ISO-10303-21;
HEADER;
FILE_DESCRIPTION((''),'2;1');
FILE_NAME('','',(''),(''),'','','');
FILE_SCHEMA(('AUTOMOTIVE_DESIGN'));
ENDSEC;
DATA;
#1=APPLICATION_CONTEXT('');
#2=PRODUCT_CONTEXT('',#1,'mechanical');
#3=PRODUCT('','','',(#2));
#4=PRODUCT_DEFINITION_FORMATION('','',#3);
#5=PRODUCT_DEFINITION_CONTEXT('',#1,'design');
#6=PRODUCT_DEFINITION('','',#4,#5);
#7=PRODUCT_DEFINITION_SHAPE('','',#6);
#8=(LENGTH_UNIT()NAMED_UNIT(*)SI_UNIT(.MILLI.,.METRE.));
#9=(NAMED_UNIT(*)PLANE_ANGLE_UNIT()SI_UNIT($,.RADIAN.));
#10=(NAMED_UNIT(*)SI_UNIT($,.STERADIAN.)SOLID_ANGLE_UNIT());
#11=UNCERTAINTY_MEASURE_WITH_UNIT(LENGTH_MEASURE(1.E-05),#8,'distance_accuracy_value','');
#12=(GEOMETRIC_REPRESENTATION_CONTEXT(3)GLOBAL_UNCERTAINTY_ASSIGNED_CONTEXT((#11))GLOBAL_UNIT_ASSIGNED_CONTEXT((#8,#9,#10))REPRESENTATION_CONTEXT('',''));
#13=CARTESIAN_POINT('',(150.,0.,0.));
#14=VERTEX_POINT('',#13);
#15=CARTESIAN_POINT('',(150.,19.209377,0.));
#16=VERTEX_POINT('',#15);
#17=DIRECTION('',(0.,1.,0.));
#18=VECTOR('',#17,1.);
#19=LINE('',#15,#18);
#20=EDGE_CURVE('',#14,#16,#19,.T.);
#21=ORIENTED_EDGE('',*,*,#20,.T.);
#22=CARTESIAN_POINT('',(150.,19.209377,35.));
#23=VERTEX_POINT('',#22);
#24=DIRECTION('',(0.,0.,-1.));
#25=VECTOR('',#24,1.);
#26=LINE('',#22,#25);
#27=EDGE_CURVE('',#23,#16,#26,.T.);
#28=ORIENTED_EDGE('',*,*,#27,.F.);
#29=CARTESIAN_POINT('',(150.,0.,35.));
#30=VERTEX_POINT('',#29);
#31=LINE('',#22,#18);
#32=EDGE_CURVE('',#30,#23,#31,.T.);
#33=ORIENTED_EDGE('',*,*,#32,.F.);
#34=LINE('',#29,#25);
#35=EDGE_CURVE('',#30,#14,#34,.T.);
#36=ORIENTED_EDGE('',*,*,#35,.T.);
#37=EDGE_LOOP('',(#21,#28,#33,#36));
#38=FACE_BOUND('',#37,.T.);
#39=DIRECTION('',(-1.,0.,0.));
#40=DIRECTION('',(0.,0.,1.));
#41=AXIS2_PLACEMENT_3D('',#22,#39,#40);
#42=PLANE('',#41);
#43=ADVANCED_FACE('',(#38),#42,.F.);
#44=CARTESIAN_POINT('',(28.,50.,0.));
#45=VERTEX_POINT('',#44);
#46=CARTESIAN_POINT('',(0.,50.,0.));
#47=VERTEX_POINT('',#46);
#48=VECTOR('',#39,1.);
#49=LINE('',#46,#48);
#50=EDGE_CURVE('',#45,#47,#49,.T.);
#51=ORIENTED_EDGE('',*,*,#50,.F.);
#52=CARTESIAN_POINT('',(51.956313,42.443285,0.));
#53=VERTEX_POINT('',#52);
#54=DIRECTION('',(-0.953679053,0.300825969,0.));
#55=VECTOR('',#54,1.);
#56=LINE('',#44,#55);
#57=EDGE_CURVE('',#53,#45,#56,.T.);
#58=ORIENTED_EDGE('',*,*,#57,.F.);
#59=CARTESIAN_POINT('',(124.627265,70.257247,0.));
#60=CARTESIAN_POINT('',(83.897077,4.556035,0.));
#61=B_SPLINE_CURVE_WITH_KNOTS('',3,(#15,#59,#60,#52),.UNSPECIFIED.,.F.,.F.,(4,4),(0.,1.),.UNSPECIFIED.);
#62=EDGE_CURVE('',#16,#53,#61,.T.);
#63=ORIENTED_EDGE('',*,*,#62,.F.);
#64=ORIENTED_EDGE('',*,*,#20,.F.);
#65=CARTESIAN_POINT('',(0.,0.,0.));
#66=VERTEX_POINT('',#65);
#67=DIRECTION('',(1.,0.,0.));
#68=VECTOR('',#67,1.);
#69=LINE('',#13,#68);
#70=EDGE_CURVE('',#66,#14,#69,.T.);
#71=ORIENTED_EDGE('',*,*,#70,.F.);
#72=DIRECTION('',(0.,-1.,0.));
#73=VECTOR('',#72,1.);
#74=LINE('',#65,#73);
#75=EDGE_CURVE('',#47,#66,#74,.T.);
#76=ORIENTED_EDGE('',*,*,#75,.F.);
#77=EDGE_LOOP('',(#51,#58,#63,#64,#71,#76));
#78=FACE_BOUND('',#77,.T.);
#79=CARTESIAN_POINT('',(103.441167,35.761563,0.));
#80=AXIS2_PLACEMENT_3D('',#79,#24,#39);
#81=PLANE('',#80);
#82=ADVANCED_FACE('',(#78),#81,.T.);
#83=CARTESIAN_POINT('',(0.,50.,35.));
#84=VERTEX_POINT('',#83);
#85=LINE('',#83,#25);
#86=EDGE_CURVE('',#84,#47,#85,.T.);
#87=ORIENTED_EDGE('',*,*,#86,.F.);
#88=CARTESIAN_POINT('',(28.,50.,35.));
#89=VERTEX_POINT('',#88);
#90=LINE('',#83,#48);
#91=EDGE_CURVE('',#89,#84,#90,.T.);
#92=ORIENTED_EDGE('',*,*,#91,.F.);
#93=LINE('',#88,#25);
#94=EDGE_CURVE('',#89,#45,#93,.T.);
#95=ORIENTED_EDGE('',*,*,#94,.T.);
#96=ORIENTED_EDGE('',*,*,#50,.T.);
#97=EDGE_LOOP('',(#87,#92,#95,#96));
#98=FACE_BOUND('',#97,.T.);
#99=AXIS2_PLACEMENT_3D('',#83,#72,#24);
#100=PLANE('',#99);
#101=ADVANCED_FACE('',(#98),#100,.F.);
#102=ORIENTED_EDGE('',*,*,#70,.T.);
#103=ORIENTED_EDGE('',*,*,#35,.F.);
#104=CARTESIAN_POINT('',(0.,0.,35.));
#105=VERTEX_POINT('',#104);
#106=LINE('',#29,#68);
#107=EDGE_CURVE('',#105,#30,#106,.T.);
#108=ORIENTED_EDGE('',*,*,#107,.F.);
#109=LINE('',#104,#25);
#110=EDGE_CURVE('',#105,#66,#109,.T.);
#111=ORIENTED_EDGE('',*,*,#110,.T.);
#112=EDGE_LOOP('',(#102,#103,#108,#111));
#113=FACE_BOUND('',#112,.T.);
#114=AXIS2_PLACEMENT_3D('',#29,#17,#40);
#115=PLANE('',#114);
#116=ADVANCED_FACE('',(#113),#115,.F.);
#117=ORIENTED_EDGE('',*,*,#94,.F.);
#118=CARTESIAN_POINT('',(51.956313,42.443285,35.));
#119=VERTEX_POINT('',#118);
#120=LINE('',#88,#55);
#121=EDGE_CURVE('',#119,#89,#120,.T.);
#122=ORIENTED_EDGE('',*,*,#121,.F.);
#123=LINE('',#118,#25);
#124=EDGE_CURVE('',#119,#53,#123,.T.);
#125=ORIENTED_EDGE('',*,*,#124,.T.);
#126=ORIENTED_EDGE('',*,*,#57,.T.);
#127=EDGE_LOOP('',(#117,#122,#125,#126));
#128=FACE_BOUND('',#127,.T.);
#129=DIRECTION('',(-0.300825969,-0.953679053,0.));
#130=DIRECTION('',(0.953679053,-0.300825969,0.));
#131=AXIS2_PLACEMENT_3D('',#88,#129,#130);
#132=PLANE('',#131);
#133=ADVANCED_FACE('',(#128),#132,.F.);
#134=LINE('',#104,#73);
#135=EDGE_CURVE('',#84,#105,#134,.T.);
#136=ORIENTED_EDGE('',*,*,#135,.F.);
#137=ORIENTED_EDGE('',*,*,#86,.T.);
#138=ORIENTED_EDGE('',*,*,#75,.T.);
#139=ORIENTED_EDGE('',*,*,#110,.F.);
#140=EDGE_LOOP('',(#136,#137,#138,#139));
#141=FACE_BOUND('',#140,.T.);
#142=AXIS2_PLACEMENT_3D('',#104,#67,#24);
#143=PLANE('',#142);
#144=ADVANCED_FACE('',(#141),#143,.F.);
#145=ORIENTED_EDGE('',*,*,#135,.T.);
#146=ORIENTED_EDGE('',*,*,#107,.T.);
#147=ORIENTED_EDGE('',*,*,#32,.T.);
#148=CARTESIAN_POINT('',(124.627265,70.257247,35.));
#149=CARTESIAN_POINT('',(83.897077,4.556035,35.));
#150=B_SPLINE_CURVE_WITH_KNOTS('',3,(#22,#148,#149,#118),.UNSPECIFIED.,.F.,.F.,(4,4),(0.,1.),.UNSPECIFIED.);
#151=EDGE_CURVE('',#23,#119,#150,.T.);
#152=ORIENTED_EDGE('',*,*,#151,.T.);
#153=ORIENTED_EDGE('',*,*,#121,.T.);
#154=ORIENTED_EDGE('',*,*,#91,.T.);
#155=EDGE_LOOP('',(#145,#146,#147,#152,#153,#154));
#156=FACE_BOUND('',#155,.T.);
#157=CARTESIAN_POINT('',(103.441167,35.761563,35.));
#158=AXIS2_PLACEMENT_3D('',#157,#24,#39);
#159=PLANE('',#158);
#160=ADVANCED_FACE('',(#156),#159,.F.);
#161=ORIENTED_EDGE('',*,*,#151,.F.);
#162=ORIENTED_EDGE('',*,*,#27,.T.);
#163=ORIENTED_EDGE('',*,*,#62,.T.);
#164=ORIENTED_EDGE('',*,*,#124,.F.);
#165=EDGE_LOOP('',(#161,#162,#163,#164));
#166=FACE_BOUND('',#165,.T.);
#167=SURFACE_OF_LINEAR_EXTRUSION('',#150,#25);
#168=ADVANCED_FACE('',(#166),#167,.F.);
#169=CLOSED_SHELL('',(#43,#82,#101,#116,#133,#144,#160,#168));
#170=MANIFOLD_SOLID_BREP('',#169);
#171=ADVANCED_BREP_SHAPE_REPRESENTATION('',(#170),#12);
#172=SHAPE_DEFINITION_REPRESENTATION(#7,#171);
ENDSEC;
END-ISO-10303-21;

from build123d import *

# Parameters (mm, degrees)
EXTRUDE_1_DEPTH = 35


with BuildPart() as part:
    # 草圖2 → 填料-伸長1 (new body)
    with BuildSketch(Plane.XY):
        with BuildLine():
            Line((0, 0), (0, 50))
            Line((0, 50), (28, 50))
            Line((28, 50), (51.956313103, 42.44328469))
            add(Edge.make_bspline(
                [(51.956313103, 42.44328469), (83.897076516, 4.556034867), (124.627264654, 70.257246507), (150, 19.209377101)],
                knots=[0, 0, 0, 0, 1, 1, 1, 1], degree=3))
            Line((150, 19.209377101), (150, 0))
            Line((150, 0), (0, 0))
        make_face()
    extrude(amount=EXTRUDE_1_DEPTH)


solid = part.part
